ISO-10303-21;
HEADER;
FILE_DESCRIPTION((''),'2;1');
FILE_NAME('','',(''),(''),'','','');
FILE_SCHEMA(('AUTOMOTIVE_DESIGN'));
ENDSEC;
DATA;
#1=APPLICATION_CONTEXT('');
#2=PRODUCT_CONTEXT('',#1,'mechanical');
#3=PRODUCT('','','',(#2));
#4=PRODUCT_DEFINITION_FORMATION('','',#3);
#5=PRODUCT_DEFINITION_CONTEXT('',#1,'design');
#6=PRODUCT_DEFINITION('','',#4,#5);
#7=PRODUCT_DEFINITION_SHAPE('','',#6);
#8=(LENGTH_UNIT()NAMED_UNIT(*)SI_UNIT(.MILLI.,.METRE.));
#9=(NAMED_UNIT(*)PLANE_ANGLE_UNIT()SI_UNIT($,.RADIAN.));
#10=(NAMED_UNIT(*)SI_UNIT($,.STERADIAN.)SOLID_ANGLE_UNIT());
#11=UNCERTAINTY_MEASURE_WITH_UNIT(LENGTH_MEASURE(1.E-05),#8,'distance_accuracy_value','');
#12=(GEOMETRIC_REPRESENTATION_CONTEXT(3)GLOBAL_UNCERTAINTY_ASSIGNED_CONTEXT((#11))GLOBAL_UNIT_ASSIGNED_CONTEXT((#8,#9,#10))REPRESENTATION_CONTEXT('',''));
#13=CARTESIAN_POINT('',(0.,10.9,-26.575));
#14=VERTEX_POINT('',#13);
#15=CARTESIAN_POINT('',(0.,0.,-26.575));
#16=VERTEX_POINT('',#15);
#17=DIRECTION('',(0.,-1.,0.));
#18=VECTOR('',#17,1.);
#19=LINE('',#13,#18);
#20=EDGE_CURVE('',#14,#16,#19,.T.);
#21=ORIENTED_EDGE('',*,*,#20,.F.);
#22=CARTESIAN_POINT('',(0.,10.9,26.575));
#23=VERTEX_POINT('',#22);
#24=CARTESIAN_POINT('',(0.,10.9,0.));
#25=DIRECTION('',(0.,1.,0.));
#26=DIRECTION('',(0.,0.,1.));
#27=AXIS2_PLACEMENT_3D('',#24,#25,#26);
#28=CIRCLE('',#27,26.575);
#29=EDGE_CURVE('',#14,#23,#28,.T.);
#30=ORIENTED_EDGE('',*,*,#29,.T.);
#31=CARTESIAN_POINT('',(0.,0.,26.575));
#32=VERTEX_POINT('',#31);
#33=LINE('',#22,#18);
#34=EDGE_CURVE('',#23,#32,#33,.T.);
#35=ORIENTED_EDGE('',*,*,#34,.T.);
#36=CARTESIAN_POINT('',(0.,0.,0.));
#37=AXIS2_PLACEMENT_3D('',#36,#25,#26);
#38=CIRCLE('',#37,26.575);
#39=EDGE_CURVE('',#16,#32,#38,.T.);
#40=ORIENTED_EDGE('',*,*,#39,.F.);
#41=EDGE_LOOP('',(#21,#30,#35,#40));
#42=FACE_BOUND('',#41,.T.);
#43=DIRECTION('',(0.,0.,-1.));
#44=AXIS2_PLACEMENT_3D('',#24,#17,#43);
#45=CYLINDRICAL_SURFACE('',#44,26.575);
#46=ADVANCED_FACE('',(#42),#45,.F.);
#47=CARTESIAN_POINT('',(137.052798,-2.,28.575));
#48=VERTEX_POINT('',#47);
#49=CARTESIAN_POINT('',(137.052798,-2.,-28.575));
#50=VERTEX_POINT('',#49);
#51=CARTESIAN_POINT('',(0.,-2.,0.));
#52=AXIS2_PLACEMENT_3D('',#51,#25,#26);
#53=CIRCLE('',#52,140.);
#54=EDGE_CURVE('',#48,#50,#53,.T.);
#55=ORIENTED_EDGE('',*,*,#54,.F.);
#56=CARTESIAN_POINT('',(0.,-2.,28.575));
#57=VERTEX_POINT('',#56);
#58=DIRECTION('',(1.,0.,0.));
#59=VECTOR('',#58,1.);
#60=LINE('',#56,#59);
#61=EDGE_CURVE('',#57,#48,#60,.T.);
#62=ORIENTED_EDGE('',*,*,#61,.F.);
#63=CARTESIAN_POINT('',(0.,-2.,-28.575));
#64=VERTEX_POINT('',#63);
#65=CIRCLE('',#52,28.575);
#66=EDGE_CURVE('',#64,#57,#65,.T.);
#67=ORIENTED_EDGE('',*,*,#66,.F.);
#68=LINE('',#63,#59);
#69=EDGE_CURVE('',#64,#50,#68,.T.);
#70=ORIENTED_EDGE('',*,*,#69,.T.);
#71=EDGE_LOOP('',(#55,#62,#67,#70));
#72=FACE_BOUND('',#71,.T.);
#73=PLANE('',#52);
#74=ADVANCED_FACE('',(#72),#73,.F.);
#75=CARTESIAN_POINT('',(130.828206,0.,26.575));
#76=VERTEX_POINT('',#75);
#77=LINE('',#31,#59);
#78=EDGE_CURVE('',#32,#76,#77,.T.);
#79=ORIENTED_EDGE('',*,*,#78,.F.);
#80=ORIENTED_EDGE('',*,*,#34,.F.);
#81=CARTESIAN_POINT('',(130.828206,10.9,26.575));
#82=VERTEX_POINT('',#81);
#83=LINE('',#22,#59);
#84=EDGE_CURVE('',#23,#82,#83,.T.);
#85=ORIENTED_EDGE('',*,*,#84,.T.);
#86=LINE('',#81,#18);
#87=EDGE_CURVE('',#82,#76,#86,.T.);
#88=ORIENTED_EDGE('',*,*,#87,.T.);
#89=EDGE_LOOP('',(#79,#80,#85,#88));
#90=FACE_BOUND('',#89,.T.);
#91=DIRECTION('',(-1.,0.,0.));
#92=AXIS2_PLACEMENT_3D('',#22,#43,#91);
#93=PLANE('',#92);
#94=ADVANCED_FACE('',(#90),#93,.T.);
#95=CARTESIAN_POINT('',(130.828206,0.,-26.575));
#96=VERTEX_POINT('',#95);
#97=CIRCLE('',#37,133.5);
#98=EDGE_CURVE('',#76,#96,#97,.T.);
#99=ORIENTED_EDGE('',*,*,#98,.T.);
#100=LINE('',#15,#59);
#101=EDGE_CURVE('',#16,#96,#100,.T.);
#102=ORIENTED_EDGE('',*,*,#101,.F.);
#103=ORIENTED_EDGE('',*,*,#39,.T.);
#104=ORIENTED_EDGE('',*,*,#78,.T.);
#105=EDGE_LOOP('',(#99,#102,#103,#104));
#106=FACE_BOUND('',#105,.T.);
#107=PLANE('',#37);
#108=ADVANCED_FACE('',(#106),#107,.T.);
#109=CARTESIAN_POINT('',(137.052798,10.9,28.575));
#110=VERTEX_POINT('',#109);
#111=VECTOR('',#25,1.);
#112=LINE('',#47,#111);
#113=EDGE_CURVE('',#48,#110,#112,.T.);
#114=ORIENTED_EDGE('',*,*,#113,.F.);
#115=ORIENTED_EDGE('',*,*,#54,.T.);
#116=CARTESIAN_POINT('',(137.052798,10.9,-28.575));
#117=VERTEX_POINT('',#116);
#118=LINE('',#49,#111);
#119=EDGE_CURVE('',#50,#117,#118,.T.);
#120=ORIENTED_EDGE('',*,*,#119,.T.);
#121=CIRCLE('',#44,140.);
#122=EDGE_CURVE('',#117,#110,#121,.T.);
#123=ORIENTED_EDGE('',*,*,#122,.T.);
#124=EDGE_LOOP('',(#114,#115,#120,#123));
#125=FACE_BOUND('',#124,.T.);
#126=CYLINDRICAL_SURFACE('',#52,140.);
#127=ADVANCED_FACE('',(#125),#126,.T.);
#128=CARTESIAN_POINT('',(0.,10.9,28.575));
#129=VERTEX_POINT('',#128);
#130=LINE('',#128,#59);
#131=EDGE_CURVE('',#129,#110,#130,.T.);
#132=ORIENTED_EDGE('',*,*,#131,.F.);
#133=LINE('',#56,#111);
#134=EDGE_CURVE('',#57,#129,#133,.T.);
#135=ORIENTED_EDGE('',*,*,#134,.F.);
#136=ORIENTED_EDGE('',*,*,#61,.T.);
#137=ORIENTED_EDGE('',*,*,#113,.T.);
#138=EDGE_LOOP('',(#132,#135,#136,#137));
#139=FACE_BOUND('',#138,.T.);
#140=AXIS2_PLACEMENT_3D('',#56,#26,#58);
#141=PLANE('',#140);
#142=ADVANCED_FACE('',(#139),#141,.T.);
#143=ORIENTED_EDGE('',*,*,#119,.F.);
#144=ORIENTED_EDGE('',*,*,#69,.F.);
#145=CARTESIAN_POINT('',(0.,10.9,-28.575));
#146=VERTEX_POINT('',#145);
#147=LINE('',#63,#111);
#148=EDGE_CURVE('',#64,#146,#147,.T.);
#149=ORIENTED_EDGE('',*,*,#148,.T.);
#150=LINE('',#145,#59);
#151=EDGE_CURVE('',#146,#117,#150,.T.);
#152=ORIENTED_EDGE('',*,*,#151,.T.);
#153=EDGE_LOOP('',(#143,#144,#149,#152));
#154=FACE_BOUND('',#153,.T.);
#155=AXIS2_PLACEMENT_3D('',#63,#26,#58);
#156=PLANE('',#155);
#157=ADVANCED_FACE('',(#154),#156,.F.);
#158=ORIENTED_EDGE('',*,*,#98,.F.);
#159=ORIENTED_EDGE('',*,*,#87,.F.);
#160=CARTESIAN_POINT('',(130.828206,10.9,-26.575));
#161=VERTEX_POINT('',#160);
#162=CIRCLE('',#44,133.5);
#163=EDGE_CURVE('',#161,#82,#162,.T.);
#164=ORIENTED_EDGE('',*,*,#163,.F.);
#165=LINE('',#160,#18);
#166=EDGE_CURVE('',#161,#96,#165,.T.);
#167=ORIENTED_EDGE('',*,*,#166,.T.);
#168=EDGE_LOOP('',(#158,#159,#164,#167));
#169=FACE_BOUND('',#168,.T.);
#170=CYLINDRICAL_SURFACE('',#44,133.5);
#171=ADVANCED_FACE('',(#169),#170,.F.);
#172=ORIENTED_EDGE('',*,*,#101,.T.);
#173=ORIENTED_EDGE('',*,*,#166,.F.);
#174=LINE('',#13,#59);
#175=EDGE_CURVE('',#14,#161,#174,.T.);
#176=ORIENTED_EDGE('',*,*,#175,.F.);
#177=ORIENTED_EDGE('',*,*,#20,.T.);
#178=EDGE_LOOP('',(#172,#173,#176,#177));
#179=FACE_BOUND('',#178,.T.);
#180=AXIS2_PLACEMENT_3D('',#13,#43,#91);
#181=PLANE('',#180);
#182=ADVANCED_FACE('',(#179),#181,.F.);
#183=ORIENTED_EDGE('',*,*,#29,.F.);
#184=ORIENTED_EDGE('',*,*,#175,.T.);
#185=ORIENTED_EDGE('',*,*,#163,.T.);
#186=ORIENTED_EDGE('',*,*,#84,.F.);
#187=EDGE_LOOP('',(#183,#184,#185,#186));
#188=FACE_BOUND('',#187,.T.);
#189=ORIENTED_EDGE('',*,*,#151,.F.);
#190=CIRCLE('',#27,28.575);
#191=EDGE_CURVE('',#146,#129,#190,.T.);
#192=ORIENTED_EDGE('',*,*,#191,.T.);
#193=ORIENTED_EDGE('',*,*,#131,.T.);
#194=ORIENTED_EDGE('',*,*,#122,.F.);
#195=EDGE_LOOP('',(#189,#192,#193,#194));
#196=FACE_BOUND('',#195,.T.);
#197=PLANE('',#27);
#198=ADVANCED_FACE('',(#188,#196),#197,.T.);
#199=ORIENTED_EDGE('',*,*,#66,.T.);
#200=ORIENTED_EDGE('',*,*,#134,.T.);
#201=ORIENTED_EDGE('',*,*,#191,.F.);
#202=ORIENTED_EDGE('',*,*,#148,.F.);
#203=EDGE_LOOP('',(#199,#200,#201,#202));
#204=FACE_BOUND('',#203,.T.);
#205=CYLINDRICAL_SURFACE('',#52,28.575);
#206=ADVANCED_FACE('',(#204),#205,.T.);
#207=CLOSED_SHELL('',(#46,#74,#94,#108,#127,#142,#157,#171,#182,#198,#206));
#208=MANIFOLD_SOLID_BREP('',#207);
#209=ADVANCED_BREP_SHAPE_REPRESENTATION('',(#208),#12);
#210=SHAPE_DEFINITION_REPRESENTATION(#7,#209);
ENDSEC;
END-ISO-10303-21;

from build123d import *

# Parameters (mm, degrees)
BOSS_EXTRUDE2_DEPTH = 2
BOSS_EXTRUDE3_START = 10.9
BOSS_EXTRUDE3_DEPTH = 10.9


with BuildPart() as part:
    # Sketch1 → Boss-Extrude2 (new body)
    with BuildSketch(Plane(origin=(0, 0, 0), x_dir=(1, 0, 0), z_dir=(0, 1, 0))):
        with BuildLine():
            Line((0, 28.575), (137.052797764, 28.575))
            ThreePointArc((137.052797764, 28.575), (139.26125033, 14.36329198), (140, 0))
            ThreePointArc((140, 0), (139.26125033, -14.36329198), (137.052797764, -28.575))
            Line((137.052797764, -28.575), (0, -28.575))
            ThreePointArc((0, -28.575), (-28.575, 0), (0, 28.575))
        make_face()
    extrude(amount=-BOSS_EXTRUDE2_DEPTH)

    # Sketch1<14> → Boss-Extrude3 (add)
    with BuildSketch(Plane(origin=(0, 0, 0), x_dir=(1, 0, 0), z_dir=(0, 1, 0)).offset(BOSS_EXTRUDE3_START)):
        with BuildLine():
            Line((0, 28.575), (137.052797764, 28.575))
            ThreePointArc((137.052797764, 28.575), (139.26125033, 14.36329198), (140, 0))
            ThreePointArc((140, 0), (139.26125033, -14.36329198), (137.052797764, -28.575))
            Line((137.052797764, -28.575), (0, -28.575))
            ThreePointArc((0, -28.575), (-28.575, 0), (0, 28.575))
        make_face()
        with BuildLine():
            Line((0, -26.575), (130.828205579, -26.575))
            ThreePointArc((130.828205579, -26.575), (132.830371988, -13.354485299), (133.5, 0))
            ThreePointArc((133.5, 0), (132.830371988, 13.354485299), (130.828205579, 26.575))
            Line((130.828205579, 26.575), (0, 26.575))
            ThreePointArc((0, 26.575), (-26.575, 0), (0, -26.575))
        make_face(mode=Mode.SUBTRACT)
    extrude(amount=-BOSS_EXTRUDE3_DEPTH)


solid = part.part
